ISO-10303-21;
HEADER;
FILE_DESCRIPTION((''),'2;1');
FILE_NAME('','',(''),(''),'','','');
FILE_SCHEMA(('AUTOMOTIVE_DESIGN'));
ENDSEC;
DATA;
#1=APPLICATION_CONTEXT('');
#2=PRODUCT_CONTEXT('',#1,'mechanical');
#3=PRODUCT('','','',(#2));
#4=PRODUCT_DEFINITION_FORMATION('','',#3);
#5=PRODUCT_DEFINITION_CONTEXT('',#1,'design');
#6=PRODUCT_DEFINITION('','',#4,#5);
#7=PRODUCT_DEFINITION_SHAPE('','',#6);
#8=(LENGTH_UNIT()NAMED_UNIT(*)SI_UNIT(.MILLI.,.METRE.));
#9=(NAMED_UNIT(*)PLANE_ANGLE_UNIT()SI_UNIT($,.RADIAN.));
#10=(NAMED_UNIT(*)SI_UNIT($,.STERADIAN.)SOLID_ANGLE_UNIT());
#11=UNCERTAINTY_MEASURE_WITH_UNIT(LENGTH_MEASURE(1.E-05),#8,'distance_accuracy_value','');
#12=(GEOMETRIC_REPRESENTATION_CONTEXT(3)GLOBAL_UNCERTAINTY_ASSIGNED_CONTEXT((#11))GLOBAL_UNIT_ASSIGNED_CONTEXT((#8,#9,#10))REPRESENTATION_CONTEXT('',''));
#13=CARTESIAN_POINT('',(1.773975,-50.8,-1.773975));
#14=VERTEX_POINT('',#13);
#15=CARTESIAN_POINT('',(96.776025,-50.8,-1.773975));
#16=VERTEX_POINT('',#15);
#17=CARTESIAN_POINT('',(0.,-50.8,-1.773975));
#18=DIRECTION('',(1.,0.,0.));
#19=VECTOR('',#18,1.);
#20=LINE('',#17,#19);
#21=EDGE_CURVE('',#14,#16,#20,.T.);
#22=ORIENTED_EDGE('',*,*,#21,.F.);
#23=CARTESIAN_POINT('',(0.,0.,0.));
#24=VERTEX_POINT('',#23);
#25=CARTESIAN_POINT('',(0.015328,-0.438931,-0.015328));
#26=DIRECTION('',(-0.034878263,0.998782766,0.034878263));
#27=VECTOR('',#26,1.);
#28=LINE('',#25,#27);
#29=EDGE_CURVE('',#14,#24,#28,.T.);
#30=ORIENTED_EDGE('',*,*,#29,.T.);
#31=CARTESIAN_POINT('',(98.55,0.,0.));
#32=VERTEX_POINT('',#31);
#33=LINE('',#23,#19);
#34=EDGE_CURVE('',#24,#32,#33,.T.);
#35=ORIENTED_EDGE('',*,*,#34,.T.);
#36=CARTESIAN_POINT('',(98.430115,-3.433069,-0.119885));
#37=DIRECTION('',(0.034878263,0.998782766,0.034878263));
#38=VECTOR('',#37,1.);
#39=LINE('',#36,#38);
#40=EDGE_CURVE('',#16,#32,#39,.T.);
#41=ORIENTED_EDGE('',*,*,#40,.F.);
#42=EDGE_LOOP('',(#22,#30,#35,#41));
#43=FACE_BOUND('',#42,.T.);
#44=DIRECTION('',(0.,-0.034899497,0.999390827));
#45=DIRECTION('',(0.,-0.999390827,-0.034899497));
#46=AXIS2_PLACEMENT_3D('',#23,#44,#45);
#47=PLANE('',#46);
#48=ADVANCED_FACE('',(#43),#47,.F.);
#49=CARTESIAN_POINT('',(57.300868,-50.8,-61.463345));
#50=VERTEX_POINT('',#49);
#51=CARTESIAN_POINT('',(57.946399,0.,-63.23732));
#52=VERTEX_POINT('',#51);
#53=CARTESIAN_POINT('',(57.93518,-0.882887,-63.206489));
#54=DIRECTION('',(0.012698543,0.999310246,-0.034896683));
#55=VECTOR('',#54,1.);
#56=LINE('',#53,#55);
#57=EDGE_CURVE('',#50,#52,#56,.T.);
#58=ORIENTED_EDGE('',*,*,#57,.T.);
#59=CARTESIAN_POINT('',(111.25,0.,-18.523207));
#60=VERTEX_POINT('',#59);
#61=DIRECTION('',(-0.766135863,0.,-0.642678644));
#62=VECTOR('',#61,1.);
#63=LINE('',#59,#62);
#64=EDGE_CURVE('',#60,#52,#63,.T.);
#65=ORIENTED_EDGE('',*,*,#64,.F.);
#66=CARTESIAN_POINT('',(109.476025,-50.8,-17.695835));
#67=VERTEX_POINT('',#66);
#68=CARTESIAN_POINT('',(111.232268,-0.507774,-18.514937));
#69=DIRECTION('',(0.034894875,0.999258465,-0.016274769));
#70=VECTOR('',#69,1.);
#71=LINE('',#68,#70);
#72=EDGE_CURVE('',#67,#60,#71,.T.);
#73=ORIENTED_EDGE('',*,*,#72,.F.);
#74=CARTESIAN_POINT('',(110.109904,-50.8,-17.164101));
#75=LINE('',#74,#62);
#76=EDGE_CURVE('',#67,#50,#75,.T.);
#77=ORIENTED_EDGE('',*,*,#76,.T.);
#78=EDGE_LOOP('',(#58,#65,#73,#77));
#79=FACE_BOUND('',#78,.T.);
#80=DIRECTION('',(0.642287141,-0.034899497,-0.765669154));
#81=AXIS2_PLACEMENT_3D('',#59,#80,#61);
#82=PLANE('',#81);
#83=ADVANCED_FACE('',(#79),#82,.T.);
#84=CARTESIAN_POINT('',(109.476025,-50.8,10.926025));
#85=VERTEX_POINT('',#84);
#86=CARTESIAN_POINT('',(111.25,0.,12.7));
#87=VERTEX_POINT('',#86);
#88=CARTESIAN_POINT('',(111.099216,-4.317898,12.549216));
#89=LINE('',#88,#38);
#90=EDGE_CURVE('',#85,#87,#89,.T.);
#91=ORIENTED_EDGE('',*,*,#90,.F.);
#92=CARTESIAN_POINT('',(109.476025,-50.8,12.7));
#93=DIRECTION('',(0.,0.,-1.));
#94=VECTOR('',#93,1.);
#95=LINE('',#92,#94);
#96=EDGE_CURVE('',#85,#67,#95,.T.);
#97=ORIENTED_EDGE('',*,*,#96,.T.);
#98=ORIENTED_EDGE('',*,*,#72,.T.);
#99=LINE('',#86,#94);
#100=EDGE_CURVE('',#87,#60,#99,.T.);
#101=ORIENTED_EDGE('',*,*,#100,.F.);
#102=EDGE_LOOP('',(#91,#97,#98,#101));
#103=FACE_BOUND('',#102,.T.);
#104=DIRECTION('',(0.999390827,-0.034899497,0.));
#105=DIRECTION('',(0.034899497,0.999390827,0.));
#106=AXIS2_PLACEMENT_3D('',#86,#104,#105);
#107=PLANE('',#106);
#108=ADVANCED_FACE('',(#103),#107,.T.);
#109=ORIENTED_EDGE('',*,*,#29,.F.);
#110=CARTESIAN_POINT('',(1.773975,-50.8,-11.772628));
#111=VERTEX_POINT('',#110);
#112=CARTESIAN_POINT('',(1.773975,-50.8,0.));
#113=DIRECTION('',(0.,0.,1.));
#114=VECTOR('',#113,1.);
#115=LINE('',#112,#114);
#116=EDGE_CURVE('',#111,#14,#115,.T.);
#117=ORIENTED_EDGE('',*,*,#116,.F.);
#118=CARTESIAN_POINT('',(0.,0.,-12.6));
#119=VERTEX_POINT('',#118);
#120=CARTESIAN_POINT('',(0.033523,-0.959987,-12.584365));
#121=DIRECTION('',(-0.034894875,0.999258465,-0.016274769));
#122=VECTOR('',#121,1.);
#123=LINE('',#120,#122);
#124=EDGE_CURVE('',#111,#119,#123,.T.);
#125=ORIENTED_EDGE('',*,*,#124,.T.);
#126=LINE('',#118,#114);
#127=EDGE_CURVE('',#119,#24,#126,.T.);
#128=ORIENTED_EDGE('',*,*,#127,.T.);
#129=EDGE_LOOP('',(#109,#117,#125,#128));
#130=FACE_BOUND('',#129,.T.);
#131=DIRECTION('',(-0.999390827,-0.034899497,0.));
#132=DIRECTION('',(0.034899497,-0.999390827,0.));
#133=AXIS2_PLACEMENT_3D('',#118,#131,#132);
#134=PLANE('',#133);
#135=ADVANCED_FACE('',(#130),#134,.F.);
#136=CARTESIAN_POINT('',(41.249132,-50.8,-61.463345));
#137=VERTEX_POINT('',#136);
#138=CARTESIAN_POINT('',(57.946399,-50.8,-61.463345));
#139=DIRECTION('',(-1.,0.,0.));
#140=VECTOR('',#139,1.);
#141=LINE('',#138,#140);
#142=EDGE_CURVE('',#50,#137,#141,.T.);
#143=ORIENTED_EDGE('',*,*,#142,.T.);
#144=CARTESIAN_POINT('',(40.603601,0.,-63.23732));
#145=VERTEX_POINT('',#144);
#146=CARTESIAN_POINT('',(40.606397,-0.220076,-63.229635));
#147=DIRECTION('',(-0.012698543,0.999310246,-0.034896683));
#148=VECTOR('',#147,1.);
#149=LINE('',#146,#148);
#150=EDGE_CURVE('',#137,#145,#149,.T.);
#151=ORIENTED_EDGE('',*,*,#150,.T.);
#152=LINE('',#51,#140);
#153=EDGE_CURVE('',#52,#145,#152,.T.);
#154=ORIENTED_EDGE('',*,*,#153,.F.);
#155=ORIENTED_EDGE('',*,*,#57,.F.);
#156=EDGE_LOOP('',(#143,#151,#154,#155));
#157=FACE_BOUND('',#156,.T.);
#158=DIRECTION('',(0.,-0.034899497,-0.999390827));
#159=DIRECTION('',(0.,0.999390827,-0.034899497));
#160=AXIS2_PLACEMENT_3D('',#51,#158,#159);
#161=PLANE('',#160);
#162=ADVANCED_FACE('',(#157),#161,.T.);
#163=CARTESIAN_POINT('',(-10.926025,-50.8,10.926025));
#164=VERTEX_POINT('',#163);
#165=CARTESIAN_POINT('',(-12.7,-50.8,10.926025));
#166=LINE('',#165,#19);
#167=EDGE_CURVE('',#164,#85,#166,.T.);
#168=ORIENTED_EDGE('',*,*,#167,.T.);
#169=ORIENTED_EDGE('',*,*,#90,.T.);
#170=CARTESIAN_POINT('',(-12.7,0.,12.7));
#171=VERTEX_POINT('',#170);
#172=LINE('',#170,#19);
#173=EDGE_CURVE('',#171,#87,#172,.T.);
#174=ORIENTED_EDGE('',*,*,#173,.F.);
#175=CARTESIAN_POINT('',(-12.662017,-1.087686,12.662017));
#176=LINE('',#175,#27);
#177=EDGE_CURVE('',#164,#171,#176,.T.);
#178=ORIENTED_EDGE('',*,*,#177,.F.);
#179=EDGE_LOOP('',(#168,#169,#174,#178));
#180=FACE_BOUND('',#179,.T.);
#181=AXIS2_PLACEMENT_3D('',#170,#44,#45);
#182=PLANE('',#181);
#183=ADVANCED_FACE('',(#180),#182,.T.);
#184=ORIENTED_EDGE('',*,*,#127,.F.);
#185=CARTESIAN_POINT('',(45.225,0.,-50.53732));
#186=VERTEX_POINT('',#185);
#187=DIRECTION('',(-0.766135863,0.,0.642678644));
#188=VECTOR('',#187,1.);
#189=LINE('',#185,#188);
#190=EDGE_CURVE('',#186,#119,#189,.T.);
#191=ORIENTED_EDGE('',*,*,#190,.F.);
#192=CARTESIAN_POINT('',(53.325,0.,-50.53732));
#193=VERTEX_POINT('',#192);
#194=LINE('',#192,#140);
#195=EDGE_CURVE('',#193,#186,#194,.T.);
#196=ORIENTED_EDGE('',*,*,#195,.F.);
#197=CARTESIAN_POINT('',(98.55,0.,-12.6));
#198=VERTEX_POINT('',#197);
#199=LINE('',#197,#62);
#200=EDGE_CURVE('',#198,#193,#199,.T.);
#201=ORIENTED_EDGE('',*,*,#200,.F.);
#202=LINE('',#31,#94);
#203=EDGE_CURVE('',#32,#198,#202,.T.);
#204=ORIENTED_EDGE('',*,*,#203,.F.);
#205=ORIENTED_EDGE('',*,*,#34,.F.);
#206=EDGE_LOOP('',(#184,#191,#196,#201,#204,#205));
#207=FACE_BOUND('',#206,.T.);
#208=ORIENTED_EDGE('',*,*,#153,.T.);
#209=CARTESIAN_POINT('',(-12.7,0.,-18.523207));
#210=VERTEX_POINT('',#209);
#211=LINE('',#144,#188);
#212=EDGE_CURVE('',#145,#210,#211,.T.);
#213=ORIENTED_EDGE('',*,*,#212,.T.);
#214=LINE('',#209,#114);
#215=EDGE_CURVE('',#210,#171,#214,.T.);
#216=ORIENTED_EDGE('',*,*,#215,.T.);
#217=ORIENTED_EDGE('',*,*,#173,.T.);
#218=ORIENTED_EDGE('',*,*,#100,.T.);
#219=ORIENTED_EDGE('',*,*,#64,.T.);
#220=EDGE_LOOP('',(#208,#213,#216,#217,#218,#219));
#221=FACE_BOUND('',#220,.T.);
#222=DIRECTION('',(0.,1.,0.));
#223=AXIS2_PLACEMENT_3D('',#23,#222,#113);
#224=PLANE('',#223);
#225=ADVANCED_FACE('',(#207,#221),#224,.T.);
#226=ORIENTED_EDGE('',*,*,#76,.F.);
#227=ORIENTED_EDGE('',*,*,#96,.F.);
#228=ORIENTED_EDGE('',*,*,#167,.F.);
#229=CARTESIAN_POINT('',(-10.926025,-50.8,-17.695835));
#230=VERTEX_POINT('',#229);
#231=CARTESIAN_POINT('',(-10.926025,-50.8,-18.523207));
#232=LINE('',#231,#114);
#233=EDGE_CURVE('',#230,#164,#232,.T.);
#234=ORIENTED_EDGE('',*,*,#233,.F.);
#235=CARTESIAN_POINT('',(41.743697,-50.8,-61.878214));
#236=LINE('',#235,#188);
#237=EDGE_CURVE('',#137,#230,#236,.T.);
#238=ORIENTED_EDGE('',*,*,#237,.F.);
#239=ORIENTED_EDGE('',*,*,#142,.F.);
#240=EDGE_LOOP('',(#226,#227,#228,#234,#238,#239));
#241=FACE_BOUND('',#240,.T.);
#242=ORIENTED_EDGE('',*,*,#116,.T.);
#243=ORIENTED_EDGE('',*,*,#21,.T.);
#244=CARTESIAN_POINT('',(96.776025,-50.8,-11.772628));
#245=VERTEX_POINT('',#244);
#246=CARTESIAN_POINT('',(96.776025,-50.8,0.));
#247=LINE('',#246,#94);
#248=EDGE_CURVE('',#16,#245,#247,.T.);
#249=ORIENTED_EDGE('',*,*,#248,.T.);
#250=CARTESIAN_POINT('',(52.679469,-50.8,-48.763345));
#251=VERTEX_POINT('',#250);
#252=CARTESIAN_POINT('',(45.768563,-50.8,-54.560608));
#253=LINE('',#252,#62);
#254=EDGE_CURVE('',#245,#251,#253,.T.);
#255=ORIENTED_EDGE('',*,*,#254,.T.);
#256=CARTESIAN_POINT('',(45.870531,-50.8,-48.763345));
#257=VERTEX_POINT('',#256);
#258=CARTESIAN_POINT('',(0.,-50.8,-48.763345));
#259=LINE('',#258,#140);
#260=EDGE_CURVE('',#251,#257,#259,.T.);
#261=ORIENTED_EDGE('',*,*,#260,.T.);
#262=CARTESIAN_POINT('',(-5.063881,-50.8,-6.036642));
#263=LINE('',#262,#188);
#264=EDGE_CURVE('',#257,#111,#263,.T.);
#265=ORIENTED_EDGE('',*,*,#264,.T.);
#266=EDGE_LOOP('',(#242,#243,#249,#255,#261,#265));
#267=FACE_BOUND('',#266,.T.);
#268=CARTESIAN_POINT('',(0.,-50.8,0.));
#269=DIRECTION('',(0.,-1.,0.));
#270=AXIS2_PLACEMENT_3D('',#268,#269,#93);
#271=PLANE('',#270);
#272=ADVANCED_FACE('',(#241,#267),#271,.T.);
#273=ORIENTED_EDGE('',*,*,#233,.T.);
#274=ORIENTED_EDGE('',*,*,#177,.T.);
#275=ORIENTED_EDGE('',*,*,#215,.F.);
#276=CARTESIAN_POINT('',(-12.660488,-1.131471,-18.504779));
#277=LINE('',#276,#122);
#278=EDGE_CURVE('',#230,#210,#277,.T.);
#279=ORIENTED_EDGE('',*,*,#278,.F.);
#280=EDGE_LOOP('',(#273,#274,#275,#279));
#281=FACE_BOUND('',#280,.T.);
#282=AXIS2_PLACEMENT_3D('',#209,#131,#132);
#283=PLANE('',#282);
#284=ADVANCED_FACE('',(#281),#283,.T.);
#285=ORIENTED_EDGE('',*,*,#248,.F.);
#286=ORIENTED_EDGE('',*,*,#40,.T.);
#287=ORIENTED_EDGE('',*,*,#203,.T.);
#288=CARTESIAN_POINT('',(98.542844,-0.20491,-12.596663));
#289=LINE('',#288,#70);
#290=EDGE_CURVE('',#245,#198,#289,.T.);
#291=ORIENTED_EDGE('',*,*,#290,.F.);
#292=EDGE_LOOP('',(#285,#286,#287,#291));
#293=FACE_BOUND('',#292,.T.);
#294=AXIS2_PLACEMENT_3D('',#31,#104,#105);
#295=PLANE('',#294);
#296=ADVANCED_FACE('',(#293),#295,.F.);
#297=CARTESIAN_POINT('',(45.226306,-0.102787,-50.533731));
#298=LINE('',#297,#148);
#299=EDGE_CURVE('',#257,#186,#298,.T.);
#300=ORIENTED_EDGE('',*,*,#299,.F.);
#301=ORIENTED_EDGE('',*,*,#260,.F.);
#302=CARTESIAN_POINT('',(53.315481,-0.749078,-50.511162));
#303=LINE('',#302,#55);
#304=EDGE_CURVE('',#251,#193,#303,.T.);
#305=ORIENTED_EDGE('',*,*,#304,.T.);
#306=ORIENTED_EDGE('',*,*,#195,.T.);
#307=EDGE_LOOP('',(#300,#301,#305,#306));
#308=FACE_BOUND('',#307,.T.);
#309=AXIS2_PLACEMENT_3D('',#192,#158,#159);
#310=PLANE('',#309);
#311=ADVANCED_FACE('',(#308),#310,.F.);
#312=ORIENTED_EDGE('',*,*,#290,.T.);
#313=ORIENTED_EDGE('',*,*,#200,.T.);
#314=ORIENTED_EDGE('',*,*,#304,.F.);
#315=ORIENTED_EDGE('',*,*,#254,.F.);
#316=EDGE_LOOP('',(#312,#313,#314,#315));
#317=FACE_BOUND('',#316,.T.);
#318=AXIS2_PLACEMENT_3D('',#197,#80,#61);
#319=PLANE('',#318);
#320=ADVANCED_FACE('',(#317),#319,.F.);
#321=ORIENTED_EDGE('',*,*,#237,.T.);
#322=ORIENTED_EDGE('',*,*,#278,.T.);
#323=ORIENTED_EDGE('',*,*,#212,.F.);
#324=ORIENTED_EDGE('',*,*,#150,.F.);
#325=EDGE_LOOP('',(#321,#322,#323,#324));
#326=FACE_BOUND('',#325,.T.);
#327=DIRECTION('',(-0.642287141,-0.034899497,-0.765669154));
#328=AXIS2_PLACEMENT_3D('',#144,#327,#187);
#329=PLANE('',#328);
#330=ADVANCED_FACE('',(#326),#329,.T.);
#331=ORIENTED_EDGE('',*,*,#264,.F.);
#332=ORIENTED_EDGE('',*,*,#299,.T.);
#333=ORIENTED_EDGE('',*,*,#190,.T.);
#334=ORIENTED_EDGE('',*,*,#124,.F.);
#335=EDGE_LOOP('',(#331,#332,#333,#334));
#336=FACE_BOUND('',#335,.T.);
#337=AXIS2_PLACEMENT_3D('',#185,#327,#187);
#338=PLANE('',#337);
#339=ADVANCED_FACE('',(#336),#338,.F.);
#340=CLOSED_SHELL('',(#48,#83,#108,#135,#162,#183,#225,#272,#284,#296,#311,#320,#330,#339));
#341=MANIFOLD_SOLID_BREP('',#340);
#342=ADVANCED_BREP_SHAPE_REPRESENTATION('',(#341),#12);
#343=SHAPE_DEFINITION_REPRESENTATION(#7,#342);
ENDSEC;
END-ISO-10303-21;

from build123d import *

# Parameters (mm, degrees)
SALIENTE_EXTRUIR1_DEPTH = 2.54
SALIENTE_EXTRUIR2_DEPTH = 50.8
SALIENTE_EXTRUIR2_TAPER = 2
CORTAR_EXTRUIR1_DEPTH   = 50.8
CORTAR_EXTRUIR1_TAPER   = 2


with BuildPart() as part:
    # Croquis1 → Saliente-Extruir1 (new body)
    with BuildSketch(Plane(origin=(0, 0, 0), x_dir=(1, 0, 0), z_dir=(0, 1, 0))):
        Polygon((0, 0), (98.55, 0), (98.55, 12.6), (53.325, 50.537320346), (45.225, 50.537320346), (0, 12.6), align=None)
    extrude(amount=-SALIENTE_EXTRUIR1_DEPTH)

    # Croquis2 → Saliente-Extruir2 (add)
    with BuildSketch(Plane(origin=(0, 0, 0), x_dir=(1, 0, 0), z_dir=(0, 1, 0))):
        Polygon((-12.7, 18.52320689), (-12.7, -12.7), (111.25, -12.7), (111.25, 18.52320689), (57.94639915, 63.237320346), (40.60360085, 63.237320346), align=None)
    extrude(amount=-SALIENTE_EXTRUIR2_DEPTH, taper=SALIENTE_EXTRUIR2_TAPER)

    # Croquis3 → Cortar-Extruir1 (cut)
    with BuildSketch(Plane(origin=(0, 0, 0), x_dir=(1, 0, 0), z_dir=(0, 1, 0))):
        Polygon((0, 0), (98.55, 0), (98.55, 12.6), (53.325, 50.537320346), (45.225, 50.537320346), (0, 12.6), align=None)
    extrude(amount=-CORTAR_EXTRUIR1_DEPTH, taper=CORTAR_EXTRUIR1_TAPER, mode=Mode.SUBTRACT)


solid = part.part
